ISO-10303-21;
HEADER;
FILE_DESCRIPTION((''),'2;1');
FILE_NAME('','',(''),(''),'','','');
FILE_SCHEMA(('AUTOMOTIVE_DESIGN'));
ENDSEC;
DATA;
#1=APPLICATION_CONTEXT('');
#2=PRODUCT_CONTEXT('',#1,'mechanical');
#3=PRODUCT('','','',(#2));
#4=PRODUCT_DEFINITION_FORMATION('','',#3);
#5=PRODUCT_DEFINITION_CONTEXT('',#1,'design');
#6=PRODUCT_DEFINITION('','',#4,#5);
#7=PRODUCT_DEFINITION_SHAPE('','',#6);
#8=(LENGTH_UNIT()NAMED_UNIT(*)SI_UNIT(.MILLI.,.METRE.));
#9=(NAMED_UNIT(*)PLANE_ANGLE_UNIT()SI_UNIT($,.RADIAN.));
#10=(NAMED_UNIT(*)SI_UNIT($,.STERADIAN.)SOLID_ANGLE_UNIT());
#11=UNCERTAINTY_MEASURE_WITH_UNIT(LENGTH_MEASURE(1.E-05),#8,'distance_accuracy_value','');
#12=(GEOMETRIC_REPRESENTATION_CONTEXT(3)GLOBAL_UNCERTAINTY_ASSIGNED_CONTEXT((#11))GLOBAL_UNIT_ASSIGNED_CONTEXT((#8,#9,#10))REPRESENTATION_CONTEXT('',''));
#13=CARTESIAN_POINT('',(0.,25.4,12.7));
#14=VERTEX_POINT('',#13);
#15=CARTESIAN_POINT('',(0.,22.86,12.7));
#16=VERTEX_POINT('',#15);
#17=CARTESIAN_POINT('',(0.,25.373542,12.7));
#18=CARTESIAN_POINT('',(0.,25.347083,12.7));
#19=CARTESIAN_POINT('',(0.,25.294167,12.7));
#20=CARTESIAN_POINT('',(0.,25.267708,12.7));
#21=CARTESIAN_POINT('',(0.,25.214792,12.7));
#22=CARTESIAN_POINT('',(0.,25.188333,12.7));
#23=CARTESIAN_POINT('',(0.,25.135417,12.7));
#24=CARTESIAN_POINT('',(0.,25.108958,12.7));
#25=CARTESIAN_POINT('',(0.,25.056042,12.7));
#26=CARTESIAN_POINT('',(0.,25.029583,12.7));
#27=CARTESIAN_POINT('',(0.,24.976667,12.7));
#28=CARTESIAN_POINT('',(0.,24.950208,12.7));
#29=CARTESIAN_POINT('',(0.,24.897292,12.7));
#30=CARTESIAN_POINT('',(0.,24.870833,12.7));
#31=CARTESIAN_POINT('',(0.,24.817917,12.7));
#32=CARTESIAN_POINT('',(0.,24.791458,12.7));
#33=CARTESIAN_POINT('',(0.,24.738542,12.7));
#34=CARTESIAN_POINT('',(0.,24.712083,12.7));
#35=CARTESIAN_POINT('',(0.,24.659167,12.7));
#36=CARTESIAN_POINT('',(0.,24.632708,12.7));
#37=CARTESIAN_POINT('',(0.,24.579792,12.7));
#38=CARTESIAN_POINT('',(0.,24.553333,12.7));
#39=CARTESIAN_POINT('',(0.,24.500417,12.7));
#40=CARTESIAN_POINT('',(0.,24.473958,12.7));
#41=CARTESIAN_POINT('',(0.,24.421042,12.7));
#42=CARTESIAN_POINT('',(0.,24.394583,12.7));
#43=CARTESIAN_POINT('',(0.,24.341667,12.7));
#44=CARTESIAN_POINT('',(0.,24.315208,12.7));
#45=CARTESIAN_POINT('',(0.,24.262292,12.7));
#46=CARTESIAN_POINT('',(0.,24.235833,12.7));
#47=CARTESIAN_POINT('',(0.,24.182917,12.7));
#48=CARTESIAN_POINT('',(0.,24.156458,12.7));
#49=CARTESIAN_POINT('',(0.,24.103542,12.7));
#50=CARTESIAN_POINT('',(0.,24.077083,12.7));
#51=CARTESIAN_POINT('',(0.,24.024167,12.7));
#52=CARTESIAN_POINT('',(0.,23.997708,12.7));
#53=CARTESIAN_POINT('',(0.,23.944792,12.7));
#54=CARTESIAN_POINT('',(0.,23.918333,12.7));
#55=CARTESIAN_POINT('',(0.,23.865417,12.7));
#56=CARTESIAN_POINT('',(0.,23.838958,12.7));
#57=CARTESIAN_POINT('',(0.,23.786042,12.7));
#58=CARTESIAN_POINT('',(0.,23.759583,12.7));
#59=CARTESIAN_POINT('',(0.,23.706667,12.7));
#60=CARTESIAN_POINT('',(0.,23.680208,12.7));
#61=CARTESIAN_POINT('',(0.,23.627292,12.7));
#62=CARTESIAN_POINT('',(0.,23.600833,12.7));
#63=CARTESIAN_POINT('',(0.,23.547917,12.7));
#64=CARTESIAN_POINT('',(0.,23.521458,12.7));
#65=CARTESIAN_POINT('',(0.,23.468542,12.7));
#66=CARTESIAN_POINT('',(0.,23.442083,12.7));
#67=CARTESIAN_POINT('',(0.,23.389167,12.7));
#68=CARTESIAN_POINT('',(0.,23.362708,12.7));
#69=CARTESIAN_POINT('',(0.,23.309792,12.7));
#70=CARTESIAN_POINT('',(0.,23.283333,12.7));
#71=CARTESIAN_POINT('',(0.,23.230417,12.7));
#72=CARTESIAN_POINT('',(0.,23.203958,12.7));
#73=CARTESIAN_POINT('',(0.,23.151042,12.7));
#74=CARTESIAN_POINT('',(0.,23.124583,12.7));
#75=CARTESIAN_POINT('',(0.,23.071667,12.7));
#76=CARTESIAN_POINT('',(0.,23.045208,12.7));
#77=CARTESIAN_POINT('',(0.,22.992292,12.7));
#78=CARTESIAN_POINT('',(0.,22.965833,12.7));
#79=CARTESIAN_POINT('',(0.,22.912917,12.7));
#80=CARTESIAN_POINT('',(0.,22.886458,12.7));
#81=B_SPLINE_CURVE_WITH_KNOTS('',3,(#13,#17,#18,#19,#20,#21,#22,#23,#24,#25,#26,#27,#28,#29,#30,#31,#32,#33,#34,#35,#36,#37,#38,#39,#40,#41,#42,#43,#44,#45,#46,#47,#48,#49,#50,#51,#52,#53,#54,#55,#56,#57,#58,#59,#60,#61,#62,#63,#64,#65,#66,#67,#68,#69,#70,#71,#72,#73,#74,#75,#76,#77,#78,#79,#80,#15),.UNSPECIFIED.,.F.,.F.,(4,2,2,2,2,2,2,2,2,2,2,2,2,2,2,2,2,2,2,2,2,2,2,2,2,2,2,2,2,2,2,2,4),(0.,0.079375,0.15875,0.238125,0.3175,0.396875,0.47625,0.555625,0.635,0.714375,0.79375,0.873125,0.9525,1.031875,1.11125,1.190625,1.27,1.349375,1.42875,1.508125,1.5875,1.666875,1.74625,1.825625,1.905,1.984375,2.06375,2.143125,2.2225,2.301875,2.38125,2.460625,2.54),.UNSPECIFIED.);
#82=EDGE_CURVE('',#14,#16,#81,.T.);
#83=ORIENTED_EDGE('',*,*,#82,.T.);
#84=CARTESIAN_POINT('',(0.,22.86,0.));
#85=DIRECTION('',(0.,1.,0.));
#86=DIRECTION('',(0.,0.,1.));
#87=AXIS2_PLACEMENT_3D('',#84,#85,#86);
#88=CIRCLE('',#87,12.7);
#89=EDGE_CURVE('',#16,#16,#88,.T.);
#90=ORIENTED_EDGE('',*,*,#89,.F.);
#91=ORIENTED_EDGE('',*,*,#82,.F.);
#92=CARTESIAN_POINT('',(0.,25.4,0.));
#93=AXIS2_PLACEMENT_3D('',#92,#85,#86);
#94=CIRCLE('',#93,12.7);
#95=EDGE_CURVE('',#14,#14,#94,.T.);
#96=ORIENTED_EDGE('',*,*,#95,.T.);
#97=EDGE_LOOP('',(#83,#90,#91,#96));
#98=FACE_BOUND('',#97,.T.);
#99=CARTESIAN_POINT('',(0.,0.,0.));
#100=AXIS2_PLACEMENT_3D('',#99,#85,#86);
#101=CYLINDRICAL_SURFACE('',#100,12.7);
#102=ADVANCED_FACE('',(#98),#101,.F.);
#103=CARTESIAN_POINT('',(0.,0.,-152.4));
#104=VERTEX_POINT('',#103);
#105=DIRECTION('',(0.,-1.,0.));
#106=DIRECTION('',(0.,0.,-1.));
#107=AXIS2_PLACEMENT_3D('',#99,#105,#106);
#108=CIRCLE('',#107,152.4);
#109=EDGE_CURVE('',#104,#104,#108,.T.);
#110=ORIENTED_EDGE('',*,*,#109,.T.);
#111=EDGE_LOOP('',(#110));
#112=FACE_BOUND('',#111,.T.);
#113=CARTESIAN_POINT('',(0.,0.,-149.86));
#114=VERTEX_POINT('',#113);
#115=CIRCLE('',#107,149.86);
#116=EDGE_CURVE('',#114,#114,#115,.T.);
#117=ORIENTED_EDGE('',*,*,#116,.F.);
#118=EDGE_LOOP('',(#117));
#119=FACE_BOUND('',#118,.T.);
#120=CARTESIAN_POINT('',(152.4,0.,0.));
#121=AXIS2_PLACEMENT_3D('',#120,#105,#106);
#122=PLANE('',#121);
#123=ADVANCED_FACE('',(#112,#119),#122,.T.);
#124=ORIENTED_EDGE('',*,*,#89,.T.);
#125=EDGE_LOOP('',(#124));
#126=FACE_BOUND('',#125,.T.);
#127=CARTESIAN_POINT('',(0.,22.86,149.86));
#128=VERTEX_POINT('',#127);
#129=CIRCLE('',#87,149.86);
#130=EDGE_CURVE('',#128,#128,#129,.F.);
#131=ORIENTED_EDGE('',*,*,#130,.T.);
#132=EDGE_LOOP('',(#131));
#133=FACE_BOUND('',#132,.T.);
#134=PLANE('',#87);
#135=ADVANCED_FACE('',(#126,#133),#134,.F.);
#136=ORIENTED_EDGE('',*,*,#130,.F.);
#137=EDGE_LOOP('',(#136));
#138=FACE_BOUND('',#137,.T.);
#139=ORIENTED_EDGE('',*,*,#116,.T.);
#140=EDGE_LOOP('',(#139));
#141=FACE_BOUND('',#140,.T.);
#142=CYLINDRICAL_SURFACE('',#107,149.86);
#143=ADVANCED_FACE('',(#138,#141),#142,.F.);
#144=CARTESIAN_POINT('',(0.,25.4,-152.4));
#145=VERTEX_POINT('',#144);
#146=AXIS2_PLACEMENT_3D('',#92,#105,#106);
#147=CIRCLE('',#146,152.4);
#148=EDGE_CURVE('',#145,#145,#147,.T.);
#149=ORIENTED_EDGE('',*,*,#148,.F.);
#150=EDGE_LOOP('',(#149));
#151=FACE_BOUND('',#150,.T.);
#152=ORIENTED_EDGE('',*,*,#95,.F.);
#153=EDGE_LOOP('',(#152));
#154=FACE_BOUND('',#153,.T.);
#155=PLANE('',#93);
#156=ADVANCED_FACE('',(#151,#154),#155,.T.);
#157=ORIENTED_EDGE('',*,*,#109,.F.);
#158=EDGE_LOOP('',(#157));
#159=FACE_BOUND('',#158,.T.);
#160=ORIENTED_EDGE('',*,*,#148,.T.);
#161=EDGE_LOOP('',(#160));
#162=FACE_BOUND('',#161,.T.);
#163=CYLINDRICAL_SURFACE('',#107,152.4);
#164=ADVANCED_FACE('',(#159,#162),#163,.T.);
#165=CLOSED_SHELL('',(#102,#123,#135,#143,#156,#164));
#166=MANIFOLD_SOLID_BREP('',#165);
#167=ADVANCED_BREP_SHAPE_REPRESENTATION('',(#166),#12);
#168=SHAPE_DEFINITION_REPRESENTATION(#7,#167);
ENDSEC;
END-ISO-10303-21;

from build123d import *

# Parameters (mm, degrees)
SKETCH1_W          = 152.4
SKETCH1_H          = 25.4
SHELL2_T           = -2.54
SKETCH2_R          = 12.7
CUT_EXTRUDE1_DEPTH = 218.017695131


with BuildPart() as part:
    # Sketch1 → Revolve1 (revolve)
    with BuildSketch(Plane.XY, mode=Mode.PRIVATE) as revolve1_sk:
        with Locations((76.2, 12.7)):
            Rectangle(SKETCH1_W, SKETCH1_H)
    revolve(revolve1_sk.sketch.rotate(Axis((0, 0, 0), (0, 1, 0)), 90), axis=Axis((0, 0, 0), (0, 1, 0)))

    # Shell2
    shell2_openings = [part.faces().sort_by_distance(p)[0] for p in [
        (0, 0, 0),
    ]]
    offset(amount=SHELL2_T, openings=shell2_openings, kind=Kind.INTERSECTION)

    # Sketch2 → Cut-Extrude1 (cut, through all)
    with BuildSketch(Plane(origin=(0, 25.4, 0), x_dir=(1, 0, 0), z_dir=(0, 1, 0))):
        with Locations(Location((0, 0, 0), (0, 0, 270))):
            Circle(SKETCH2_R)
    extrude(amount=-CUT_EXTRUDE1_DEPTH, mode=Mode.SUBTRACT)


solid = part.part
